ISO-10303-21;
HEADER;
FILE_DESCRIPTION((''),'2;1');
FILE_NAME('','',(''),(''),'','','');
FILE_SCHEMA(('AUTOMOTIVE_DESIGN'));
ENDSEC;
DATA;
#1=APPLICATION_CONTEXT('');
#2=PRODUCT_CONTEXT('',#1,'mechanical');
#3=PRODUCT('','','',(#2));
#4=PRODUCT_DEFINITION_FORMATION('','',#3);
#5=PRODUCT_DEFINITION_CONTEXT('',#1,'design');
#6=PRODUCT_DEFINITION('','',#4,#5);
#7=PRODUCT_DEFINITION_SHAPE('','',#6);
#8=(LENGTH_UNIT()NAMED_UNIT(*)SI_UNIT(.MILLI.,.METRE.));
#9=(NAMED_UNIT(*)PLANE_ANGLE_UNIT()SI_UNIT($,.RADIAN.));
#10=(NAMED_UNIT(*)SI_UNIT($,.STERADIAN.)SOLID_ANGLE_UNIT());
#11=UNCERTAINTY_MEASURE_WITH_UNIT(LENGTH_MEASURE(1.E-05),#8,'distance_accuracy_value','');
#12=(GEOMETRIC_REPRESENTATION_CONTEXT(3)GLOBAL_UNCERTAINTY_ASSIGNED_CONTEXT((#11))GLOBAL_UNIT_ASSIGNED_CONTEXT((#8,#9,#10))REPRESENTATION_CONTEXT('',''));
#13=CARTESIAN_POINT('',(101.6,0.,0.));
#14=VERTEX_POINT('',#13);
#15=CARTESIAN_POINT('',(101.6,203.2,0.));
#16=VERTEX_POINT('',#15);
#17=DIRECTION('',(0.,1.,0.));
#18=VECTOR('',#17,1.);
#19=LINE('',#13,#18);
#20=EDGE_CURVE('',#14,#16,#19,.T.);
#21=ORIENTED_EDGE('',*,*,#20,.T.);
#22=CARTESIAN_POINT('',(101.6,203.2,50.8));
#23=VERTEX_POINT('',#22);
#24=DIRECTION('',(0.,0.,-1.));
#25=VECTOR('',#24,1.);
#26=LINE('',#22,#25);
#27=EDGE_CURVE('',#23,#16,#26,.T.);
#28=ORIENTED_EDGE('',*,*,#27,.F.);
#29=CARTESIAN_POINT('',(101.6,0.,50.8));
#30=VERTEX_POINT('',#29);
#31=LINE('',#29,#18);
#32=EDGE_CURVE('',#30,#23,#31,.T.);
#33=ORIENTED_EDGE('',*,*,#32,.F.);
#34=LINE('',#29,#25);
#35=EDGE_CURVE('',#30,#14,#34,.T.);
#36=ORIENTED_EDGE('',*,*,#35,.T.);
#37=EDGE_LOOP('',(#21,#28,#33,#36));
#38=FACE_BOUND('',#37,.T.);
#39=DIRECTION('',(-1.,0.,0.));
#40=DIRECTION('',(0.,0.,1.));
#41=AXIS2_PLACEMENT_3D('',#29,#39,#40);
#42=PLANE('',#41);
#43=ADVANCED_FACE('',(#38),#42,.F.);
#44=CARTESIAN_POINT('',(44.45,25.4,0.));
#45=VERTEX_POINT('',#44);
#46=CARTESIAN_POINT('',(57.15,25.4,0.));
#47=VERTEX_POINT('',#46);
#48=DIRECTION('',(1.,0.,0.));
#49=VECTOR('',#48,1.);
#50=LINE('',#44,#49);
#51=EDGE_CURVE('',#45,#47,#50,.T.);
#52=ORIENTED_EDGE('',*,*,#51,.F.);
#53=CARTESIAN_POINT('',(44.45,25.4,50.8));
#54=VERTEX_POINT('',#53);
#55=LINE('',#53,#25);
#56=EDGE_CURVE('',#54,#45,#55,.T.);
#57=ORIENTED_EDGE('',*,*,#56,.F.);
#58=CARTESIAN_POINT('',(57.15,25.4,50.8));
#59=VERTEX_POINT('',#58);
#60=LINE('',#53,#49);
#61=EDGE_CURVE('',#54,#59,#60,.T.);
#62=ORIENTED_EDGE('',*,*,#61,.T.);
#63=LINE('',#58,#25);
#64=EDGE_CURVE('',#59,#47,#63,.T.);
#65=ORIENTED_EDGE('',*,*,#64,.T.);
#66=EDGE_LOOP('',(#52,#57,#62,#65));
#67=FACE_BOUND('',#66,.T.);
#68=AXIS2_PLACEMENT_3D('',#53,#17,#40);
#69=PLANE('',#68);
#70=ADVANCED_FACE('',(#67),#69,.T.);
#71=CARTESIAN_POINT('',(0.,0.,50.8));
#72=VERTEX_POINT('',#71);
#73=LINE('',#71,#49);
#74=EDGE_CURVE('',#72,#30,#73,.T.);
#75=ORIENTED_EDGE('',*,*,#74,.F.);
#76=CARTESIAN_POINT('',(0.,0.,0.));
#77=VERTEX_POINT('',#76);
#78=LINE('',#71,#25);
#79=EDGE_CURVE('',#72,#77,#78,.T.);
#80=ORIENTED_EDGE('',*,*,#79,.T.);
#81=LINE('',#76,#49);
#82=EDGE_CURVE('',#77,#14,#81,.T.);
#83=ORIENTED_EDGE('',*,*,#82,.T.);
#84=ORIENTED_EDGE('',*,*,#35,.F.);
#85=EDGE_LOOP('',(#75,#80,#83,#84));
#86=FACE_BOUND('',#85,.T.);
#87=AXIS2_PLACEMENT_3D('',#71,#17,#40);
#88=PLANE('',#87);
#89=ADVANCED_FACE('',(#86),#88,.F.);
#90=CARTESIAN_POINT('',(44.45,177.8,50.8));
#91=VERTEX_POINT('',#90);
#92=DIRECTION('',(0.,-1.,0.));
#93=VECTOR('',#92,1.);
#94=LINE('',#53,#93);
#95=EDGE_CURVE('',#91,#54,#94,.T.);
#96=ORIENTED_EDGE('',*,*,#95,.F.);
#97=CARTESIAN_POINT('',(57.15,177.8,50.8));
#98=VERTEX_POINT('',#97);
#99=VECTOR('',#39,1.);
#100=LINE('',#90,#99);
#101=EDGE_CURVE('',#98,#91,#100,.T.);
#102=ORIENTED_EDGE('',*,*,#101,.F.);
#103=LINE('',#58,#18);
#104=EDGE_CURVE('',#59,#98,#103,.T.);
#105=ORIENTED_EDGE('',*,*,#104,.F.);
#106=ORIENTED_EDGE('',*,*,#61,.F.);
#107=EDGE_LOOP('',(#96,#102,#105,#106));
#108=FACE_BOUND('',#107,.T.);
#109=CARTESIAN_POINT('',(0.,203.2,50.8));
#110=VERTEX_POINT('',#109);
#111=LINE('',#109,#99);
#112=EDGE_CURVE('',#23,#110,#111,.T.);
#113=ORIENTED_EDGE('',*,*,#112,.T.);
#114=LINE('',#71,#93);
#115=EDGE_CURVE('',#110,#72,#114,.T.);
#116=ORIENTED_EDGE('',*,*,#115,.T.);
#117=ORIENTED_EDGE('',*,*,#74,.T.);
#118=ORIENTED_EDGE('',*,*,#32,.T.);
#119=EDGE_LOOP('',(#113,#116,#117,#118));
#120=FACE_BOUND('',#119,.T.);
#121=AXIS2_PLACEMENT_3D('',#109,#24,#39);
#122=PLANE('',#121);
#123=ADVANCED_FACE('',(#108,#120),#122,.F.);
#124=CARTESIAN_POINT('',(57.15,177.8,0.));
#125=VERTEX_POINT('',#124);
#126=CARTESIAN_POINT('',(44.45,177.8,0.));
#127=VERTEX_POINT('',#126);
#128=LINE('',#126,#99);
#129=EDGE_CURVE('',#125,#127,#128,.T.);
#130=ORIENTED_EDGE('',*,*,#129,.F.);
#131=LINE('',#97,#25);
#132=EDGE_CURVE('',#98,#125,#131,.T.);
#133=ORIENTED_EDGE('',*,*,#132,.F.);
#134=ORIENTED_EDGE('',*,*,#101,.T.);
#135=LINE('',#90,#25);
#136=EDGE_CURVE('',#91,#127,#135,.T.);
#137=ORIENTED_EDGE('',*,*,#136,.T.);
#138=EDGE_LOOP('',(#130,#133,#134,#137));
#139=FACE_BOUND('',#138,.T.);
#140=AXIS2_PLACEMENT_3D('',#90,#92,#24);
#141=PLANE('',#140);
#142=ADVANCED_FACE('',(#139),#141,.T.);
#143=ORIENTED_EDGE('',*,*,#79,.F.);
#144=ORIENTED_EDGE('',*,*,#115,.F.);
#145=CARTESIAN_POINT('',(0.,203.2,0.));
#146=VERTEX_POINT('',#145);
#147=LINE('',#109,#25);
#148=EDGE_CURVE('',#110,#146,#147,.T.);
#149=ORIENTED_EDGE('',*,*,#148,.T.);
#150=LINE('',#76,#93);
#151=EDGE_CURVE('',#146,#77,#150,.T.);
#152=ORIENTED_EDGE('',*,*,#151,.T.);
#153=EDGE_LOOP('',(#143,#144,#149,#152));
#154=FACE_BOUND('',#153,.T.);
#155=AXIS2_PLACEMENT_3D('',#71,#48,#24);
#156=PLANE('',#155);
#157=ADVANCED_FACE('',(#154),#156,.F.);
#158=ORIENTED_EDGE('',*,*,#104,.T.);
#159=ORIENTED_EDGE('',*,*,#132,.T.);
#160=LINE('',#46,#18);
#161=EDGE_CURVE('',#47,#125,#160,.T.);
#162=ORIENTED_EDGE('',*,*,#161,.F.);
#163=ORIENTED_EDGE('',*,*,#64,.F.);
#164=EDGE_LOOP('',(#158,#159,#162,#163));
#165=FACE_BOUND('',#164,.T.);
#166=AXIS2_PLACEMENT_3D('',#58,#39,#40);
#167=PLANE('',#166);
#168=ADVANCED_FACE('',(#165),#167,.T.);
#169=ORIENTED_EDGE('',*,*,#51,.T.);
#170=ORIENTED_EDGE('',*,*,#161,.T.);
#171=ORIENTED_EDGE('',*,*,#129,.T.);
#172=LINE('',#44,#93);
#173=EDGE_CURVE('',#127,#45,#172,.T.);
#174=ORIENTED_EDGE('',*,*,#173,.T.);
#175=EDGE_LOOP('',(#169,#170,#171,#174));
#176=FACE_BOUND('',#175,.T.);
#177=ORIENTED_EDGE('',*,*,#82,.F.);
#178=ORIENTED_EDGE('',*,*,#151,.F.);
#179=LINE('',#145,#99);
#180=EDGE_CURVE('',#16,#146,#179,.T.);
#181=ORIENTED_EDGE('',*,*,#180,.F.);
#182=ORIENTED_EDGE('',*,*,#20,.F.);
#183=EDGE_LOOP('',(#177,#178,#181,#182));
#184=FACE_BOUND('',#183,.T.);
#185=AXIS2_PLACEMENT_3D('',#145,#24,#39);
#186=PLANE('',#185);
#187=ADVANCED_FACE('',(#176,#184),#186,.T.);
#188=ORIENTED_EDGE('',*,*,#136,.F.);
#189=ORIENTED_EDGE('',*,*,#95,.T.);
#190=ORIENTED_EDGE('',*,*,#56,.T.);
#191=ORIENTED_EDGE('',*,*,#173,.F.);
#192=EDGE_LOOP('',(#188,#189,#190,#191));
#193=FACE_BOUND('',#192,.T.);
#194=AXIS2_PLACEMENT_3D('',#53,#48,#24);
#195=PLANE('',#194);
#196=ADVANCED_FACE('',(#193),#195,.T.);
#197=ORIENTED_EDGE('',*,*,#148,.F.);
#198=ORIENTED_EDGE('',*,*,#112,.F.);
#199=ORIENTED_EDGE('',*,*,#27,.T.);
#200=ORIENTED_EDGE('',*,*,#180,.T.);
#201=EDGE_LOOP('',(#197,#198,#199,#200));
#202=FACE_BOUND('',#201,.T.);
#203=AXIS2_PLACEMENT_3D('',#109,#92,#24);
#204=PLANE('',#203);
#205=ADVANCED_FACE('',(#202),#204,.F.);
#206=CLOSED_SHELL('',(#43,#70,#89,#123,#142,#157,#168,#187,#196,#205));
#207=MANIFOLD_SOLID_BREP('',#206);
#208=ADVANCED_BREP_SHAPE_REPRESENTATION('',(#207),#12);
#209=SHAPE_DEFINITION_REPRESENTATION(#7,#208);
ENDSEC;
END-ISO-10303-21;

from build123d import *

# Parameters (mm, degrees)
SKETCH1_W           = 101.6
SKETCH1_H           = 203.2
SKETCH1_W_2         = 12.7
SKETCH1_H_2         = 152.4
BOSS_EXTRUDE1_DEPTH = 50.8


with BuildPart() as part:
    # Sketch1 → Boss-Extrude1 (new body)
    with BuildSketch(Plane.XY):
        with Locations((50.8, 101.6)):
            Rectangle(SKETCH1_W, SKETCH1_H)
        with Locations((50.8, 101.6)):
            Rectangle(SKETCH1_W_2, SKETCH1_H_2, mode=Mode.SUBTRACT)
    extrude(amount=BOSS_EXTRUDE1_DEPTH)


solid = part.part
